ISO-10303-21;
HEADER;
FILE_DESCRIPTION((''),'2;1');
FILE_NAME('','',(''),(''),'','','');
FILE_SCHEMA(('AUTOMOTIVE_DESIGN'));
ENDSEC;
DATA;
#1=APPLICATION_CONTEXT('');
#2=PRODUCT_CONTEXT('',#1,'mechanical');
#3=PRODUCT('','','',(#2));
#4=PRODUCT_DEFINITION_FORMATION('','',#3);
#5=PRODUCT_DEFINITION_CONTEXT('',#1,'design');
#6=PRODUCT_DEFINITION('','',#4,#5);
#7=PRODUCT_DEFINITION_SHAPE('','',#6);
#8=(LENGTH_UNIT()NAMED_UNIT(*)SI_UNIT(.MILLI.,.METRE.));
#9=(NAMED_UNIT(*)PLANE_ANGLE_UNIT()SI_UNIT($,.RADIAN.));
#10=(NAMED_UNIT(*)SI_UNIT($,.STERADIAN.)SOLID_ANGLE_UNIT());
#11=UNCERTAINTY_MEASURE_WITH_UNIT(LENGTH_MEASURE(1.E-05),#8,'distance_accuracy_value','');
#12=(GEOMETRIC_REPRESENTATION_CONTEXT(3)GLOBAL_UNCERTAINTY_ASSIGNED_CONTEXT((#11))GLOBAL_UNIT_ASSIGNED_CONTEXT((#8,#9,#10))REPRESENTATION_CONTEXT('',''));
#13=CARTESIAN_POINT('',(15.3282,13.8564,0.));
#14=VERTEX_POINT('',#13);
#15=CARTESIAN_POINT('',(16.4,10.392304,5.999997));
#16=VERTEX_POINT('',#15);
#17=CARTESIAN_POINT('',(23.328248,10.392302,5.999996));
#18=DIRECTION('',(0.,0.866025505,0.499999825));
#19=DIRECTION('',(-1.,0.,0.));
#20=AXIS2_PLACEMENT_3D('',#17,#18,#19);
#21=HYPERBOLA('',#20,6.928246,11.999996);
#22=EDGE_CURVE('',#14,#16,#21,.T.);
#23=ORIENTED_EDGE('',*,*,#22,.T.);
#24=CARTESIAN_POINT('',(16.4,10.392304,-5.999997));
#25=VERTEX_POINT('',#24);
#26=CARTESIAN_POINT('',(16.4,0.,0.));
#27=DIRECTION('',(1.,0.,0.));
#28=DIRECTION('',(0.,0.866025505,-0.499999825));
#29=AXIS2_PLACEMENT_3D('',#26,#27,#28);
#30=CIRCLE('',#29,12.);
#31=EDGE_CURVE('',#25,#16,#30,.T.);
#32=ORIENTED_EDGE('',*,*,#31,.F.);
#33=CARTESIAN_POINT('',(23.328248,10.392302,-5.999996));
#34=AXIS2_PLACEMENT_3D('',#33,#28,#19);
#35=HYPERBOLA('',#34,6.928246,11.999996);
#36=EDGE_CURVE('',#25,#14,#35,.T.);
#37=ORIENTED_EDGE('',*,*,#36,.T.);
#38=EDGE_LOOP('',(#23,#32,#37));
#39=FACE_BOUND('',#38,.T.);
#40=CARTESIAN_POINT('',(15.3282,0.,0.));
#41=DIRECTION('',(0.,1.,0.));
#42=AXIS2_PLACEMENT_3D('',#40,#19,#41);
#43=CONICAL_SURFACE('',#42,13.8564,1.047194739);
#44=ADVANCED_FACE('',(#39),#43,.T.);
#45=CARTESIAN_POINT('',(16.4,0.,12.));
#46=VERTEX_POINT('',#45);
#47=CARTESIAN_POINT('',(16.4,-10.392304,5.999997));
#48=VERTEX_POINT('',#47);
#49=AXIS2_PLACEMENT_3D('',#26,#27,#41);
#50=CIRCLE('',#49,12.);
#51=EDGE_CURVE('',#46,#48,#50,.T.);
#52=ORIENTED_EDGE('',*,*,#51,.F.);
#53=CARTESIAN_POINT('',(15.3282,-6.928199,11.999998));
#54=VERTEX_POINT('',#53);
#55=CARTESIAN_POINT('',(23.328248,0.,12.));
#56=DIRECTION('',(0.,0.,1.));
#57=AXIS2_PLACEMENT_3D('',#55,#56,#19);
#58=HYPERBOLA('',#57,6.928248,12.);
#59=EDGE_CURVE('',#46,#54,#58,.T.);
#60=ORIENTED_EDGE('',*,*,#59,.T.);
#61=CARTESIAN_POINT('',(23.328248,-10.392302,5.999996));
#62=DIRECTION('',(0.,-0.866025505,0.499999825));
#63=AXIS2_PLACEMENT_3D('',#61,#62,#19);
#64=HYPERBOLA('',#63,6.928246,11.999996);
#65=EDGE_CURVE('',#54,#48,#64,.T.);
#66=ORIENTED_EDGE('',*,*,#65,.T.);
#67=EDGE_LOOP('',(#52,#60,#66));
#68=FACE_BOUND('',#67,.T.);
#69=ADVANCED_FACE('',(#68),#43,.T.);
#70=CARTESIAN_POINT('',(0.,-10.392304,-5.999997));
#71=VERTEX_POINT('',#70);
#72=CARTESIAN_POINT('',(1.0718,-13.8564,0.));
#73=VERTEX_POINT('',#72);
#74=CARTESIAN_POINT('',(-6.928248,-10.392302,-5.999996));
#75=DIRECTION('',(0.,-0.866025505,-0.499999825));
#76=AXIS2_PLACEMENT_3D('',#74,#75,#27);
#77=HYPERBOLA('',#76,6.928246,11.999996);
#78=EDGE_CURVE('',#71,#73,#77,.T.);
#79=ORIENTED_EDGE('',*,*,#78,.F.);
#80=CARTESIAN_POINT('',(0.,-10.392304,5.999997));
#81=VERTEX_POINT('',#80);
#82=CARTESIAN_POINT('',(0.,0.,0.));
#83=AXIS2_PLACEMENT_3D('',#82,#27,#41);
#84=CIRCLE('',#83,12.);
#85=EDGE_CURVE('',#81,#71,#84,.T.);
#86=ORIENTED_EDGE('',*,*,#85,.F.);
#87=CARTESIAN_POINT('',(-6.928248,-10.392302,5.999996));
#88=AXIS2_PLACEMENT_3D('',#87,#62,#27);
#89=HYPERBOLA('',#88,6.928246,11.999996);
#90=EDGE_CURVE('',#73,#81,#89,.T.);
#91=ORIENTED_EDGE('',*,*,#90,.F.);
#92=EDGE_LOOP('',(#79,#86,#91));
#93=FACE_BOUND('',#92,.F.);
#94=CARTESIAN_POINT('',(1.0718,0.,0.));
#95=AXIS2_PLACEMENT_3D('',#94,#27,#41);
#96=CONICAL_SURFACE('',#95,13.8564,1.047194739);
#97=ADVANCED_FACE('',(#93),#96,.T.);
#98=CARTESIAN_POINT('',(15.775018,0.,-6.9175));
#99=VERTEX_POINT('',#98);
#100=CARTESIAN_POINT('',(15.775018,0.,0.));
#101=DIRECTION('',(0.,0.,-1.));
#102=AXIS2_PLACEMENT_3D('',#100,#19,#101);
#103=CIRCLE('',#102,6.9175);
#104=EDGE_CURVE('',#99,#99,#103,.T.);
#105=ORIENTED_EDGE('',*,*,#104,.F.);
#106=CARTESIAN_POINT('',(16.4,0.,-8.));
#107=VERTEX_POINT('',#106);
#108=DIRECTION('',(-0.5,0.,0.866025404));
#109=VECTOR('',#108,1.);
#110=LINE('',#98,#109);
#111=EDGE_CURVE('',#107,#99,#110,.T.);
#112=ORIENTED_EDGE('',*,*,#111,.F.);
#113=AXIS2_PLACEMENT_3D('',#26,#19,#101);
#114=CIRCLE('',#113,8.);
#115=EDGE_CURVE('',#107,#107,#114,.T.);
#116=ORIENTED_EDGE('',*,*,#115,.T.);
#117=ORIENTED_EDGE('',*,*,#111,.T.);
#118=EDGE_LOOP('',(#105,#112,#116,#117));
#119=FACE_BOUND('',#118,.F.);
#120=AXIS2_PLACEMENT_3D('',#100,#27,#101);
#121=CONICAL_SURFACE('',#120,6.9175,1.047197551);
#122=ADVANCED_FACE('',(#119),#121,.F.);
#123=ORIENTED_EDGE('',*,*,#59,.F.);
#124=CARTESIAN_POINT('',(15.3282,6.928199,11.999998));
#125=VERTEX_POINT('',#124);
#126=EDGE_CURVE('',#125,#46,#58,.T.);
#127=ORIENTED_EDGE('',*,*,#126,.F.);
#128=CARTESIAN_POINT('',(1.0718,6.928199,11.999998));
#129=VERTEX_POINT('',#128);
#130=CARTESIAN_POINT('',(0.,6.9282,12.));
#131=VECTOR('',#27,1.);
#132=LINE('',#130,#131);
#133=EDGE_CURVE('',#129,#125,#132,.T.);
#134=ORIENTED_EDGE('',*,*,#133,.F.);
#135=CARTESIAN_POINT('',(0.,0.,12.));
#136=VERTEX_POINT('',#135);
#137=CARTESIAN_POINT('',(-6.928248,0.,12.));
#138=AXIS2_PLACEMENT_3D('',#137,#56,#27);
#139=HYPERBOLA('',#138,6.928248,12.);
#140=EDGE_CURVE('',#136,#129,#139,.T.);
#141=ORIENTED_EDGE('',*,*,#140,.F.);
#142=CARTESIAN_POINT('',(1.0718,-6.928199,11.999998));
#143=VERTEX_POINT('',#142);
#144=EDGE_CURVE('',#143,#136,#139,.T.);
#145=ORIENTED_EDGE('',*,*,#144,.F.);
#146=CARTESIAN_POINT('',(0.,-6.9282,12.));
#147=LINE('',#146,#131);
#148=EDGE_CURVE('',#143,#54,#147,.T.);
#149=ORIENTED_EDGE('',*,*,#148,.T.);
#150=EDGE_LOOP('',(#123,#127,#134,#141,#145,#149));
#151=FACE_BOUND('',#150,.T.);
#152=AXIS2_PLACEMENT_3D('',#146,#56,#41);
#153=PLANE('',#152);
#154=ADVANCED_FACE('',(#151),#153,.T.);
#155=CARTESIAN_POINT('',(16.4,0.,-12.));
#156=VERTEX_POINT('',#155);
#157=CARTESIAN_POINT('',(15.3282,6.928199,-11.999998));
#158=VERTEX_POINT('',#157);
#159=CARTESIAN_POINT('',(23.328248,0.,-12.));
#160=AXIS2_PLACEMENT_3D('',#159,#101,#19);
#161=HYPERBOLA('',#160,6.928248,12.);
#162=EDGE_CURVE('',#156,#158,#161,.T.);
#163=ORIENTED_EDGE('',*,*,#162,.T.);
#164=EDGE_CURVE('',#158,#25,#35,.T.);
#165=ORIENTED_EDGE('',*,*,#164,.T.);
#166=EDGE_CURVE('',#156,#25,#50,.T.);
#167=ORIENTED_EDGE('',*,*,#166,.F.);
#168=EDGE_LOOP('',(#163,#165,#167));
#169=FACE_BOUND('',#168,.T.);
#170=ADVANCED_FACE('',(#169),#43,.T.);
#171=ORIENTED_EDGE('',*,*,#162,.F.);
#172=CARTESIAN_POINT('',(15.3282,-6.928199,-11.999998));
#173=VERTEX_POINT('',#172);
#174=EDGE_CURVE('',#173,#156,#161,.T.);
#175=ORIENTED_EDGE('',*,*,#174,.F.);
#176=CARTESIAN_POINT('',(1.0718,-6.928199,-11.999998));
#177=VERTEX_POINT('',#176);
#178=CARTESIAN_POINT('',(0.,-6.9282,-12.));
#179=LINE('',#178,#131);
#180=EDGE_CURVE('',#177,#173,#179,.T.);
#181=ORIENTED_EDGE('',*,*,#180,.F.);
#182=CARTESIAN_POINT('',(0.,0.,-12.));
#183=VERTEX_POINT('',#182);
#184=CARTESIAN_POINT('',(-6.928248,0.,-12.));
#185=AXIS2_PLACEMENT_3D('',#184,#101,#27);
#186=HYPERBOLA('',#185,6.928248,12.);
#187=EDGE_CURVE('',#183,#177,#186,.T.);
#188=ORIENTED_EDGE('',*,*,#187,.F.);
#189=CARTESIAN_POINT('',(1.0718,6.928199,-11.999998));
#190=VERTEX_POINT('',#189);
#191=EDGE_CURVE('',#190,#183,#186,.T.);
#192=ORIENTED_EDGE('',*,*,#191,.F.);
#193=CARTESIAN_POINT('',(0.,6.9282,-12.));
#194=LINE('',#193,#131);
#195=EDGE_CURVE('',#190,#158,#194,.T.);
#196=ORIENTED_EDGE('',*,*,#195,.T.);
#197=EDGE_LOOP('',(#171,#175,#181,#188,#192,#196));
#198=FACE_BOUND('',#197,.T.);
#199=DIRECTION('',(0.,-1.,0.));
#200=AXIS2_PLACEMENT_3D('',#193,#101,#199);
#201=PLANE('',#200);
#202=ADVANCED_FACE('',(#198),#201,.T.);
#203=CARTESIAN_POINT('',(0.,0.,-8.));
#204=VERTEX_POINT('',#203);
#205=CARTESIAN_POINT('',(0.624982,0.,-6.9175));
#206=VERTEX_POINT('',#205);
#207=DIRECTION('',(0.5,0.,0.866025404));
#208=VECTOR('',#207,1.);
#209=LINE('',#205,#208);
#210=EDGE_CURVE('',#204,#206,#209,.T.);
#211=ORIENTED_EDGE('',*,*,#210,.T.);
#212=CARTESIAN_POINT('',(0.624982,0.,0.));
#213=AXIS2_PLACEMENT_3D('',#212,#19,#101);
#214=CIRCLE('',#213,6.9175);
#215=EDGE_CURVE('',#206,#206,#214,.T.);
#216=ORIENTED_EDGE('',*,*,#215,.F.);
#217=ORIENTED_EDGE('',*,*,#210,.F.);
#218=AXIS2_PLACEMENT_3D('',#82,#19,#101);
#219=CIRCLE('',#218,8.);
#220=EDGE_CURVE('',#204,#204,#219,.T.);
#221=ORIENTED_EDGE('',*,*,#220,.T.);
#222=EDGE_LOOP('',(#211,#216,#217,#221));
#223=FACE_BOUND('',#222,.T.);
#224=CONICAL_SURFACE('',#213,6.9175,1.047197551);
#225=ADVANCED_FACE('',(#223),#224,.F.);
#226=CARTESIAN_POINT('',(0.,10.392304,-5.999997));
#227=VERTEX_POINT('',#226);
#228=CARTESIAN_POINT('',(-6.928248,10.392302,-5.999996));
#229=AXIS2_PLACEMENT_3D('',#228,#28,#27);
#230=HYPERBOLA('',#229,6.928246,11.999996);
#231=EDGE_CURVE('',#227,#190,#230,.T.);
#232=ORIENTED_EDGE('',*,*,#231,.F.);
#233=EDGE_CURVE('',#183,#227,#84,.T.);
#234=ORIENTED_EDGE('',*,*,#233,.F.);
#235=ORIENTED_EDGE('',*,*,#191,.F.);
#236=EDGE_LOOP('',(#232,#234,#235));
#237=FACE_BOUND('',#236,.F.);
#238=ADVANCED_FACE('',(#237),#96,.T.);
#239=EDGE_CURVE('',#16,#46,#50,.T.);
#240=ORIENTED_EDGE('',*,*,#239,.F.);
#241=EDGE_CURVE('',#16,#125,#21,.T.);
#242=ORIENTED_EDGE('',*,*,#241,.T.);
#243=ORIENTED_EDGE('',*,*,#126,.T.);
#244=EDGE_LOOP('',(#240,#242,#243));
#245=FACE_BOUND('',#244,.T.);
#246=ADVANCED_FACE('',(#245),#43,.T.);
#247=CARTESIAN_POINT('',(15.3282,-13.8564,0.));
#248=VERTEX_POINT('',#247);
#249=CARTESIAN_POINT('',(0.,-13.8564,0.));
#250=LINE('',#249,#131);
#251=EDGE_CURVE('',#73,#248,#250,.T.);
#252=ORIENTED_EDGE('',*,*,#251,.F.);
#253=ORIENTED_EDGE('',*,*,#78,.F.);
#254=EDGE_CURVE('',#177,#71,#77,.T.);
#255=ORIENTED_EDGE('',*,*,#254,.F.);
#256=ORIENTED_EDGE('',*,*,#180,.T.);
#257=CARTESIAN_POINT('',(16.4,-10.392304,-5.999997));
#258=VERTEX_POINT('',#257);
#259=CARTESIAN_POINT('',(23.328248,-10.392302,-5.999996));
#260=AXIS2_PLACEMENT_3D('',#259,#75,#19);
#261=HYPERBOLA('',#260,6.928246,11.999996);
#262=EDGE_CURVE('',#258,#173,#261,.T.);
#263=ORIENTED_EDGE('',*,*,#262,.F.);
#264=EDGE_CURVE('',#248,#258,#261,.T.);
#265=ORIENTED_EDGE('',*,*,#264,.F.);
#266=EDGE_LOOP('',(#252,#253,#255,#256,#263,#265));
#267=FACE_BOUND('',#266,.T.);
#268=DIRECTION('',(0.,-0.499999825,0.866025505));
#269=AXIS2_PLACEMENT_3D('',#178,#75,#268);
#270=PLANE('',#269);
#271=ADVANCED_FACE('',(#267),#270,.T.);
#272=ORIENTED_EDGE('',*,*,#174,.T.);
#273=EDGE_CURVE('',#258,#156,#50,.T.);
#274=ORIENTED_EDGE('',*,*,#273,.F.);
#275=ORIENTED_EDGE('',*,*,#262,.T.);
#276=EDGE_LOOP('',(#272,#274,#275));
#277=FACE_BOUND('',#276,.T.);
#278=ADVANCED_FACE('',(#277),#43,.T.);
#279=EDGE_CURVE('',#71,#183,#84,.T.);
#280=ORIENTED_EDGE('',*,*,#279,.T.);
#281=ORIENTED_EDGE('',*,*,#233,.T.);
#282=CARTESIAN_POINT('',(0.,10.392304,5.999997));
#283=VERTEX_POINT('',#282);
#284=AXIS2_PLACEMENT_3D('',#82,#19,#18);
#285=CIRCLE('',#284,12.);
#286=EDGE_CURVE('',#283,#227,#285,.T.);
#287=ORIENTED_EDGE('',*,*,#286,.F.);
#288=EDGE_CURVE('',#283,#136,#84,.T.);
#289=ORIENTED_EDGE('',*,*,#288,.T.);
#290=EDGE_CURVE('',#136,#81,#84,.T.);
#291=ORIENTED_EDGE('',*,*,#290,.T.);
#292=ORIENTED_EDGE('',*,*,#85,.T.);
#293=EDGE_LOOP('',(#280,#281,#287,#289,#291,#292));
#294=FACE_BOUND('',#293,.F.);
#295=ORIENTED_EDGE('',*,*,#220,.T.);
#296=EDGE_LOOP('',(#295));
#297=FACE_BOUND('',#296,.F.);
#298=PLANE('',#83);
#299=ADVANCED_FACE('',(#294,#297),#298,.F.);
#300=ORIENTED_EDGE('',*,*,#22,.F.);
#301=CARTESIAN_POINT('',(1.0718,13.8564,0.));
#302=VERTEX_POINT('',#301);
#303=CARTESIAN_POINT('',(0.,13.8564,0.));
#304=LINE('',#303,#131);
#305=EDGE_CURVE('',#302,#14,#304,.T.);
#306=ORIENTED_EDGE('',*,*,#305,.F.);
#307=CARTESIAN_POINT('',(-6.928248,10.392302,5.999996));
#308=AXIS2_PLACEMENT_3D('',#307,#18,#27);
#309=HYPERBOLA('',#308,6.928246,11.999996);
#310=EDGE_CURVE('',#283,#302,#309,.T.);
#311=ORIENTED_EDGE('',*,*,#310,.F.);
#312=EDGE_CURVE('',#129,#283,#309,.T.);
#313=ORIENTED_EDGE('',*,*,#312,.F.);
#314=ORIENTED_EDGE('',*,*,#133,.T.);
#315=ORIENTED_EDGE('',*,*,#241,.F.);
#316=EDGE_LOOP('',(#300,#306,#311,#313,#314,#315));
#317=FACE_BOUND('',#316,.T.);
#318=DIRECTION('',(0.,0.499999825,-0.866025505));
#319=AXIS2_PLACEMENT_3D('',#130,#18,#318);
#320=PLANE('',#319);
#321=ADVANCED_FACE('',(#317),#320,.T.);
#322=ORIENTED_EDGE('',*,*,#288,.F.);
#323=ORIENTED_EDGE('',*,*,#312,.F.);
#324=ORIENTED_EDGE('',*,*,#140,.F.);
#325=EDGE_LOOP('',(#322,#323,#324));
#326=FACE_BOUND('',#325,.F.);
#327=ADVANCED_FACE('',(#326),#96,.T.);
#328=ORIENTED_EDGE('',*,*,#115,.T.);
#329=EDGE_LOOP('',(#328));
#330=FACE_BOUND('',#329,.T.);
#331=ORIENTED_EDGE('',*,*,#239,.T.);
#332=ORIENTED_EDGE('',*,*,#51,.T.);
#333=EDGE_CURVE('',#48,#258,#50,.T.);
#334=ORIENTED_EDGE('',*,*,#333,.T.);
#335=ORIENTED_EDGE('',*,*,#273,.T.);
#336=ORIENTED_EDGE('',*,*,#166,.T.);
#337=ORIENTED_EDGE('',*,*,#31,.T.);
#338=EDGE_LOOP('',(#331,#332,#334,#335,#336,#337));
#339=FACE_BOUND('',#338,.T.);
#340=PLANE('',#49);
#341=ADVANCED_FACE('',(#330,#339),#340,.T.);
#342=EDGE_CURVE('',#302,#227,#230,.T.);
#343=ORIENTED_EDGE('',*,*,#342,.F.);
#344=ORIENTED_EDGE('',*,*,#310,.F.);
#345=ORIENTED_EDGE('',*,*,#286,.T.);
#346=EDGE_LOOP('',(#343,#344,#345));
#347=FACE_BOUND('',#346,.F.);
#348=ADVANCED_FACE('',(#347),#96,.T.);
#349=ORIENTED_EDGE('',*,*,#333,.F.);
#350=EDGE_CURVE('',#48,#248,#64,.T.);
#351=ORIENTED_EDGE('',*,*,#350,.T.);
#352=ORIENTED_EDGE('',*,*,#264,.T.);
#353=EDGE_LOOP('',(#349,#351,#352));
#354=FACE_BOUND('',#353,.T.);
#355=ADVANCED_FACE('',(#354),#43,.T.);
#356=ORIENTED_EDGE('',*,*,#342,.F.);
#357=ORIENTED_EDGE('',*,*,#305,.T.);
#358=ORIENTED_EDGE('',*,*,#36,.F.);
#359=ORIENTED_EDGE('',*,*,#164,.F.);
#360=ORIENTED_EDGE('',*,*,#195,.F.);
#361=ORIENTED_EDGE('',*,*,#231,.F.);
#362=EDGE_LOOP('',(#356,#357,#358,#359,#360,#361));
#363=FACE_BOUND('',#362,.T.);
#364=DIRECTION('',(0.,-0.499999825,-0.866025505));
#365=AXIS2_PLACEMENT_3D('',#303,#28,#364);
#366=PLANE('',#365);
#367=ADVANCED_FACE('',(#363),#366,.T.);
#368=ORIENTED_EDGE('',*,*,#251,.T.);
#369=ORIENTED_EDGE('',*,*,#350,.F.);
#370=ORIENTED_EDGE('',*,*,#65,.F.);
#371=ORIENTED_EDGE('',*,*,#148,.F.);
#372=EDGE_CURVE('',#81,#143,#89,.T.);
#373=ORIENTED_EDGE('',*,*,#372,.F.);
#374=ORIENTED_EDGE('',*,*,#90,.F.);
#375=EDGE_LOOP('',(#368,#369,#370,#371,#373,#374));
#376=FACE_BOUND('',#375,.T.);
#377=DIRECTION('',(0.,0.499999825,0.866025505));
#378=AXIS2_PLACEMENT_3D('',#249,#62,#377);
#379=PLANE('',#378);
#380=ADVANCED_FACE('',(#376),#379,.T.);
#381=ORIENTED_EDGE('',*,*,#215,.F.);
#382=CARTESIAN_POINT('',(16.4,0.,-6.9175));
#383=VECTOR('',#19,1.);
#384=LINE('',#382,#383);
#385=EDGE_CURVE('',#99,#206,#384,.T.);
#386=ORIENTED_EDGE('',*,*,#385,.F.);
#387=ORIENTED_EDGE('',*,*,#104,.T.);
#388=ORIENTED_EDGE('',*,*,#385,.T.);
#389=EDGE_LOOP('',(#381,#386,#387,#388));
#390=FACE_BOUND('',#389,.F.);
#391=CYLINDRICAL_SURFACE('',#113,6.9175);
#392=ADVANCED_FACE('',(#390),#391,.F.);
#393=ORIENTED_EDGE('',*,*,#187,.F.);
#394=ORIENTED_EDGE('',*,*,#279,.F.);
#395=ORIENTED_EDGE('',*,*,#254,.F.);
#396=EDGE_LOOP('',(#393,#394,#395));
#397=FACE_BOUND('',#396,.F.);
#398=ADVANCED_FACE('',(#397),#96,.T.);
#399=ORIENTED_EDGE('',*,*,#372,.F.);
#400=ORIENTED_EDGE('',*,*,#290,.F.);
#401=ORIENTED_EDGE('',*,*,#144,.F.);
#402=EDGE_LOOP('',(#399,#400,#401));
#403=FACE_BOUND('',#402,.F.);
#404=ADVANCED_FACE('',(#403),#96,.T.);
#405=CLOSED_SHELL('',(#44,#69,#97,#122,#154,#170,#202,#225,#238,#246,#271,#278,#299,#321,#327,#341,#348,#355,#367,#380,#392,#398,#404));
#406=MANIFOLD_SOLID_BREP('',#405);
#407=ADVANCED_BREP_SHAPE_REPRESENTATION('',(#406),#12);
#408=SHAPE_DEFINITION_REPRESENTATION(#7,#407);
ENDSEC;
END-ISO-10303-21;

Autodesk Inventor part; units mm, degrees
ref_plane "YZ Plane" through (0, 0, 0) normal (1, 0, 0) x (0, 1, 0)
ref_plane "XZ Plane" through (0, 0, 0) normal (0, 1, 0) x (-1, 0, 0)
sketch "Sketch1" plane through (0, 0, 0) normal (1, 0, 0) x (0, 1, 0)
  line L0 (-13.8564, 0) -> (-6.9282, 12)
  line L1 (-6.9282, 12) -> (6.9282, 12)
  line L2 (6.9282, 12) -> (13.8564, 0)
  line L3 (13.8564, 0) -> (6.9282, -12)
  line L4 (6.9282, -12) -> (-6.9282, -12)
  line L5 (-6.9282, -12) -> (-13.8564, 0)
  point P0 (0, 0)
  point P1 (0, 0)
  dimension "d0" = 27.7128
extrude "Body" add sketch "Sketch1" along normal blind 16.4
sketch "Sketch2" plane through (0, 0, 0) normal (0, 0, 1) x (1, 0, 0)
  line L0 (0, 6.9282) -> (0, 13.8564) projected
  line L1 (0, 13.8564) -> (16.4, 13.8564) projected
  line L2 (16.4, 6.9282) -> (16.4, 13.8564) projected
  line L3 (-3.28, 0) -> (19.68, 0) projected
  line L4 (1.0718, 13.8564) -> (0, 12)
  line L5 (15.3282, 13.8564) -> (16.4, 12)
  dimension "d3" = 30
  dimension "d4" = 30
  dimension "d5" = 24
  dimension "d6" = 24
revolve "Chamfer1" cut sketch "Sketch2" angle 360 about axis through (-10, 0, 0) along (1, 0, 0)
sketch "Sketch3" plane through (16.4, 0, 0) normal (1, 0, 0) x (0, 0, -1)
  arc A0 (-6, -10.3923) -> (6, -10.3923) centre (0, 0) ccw projected
hole "Thread" at (16.4, 0, 0) direction (-1, 0, 0) diameter 13.835 end through all thread size "M16x2" class "6H" standard "ISO Metric profile"
chamfer "Chamfer2" distance 1.0825 angle 30 1 edges at (16.4, 0, 6.9175) measured on face at (16.4, 10.2452, 0.2779)
chamfer "Chamfer3" distance 1.0825 angle 30 1 edges at (0, 0, 6.9175) measured on face at (0, 10.2452, 0.2779)
ref_plane "Work Plane1" through (-23.7617, 0, 0) normal (0, -0.866, -0.5) x (1, 0, 0)
equation "\"d0\" = 1.1547 * SW"
equation "\"d1\" = KOH"
equation "\"d3\" = ANG1"
equation "\"d4\" = ANG2"
equation "\"d5\" = SW0"
equation "\"d6\" = SW01"
equation "\"d8\" = -0.5 * GD1 + 0.5 * NND"
equation "\"d40\" = -0.5 * GD1 + 0.5 * NND"
equation "\"d10\" = -0.5 * GD1 + 0.5 * NND"
equation "\"d41\" = -0.5 * GD1 + 0.5 * NND"
equation "\"ANG1\" = 30deg"
equation "\"ANG2\" = 30deg"
equation "\"NND\" = 16"
equation "\"KOH\" = 16.4"
equation "\"SW\" = 24"
equation "\"SW0\" = SW"
equation "\"SW01\" = SW"
equation "\"GUL\" = 0.541266 * PTC"
equation "\"THREADDIA\" = 16"
equation "\"TOA\" = 30deg"
equation "\"PTC\" = 2"
equation "\"E0\" = 1.155 * SW"
equation "\"GAL\" = 0.541266 * PTC"
equation "\"GD1\" = 13.834936"
properties part number "ISO 4033 - M16" material "Stainless Steel"
